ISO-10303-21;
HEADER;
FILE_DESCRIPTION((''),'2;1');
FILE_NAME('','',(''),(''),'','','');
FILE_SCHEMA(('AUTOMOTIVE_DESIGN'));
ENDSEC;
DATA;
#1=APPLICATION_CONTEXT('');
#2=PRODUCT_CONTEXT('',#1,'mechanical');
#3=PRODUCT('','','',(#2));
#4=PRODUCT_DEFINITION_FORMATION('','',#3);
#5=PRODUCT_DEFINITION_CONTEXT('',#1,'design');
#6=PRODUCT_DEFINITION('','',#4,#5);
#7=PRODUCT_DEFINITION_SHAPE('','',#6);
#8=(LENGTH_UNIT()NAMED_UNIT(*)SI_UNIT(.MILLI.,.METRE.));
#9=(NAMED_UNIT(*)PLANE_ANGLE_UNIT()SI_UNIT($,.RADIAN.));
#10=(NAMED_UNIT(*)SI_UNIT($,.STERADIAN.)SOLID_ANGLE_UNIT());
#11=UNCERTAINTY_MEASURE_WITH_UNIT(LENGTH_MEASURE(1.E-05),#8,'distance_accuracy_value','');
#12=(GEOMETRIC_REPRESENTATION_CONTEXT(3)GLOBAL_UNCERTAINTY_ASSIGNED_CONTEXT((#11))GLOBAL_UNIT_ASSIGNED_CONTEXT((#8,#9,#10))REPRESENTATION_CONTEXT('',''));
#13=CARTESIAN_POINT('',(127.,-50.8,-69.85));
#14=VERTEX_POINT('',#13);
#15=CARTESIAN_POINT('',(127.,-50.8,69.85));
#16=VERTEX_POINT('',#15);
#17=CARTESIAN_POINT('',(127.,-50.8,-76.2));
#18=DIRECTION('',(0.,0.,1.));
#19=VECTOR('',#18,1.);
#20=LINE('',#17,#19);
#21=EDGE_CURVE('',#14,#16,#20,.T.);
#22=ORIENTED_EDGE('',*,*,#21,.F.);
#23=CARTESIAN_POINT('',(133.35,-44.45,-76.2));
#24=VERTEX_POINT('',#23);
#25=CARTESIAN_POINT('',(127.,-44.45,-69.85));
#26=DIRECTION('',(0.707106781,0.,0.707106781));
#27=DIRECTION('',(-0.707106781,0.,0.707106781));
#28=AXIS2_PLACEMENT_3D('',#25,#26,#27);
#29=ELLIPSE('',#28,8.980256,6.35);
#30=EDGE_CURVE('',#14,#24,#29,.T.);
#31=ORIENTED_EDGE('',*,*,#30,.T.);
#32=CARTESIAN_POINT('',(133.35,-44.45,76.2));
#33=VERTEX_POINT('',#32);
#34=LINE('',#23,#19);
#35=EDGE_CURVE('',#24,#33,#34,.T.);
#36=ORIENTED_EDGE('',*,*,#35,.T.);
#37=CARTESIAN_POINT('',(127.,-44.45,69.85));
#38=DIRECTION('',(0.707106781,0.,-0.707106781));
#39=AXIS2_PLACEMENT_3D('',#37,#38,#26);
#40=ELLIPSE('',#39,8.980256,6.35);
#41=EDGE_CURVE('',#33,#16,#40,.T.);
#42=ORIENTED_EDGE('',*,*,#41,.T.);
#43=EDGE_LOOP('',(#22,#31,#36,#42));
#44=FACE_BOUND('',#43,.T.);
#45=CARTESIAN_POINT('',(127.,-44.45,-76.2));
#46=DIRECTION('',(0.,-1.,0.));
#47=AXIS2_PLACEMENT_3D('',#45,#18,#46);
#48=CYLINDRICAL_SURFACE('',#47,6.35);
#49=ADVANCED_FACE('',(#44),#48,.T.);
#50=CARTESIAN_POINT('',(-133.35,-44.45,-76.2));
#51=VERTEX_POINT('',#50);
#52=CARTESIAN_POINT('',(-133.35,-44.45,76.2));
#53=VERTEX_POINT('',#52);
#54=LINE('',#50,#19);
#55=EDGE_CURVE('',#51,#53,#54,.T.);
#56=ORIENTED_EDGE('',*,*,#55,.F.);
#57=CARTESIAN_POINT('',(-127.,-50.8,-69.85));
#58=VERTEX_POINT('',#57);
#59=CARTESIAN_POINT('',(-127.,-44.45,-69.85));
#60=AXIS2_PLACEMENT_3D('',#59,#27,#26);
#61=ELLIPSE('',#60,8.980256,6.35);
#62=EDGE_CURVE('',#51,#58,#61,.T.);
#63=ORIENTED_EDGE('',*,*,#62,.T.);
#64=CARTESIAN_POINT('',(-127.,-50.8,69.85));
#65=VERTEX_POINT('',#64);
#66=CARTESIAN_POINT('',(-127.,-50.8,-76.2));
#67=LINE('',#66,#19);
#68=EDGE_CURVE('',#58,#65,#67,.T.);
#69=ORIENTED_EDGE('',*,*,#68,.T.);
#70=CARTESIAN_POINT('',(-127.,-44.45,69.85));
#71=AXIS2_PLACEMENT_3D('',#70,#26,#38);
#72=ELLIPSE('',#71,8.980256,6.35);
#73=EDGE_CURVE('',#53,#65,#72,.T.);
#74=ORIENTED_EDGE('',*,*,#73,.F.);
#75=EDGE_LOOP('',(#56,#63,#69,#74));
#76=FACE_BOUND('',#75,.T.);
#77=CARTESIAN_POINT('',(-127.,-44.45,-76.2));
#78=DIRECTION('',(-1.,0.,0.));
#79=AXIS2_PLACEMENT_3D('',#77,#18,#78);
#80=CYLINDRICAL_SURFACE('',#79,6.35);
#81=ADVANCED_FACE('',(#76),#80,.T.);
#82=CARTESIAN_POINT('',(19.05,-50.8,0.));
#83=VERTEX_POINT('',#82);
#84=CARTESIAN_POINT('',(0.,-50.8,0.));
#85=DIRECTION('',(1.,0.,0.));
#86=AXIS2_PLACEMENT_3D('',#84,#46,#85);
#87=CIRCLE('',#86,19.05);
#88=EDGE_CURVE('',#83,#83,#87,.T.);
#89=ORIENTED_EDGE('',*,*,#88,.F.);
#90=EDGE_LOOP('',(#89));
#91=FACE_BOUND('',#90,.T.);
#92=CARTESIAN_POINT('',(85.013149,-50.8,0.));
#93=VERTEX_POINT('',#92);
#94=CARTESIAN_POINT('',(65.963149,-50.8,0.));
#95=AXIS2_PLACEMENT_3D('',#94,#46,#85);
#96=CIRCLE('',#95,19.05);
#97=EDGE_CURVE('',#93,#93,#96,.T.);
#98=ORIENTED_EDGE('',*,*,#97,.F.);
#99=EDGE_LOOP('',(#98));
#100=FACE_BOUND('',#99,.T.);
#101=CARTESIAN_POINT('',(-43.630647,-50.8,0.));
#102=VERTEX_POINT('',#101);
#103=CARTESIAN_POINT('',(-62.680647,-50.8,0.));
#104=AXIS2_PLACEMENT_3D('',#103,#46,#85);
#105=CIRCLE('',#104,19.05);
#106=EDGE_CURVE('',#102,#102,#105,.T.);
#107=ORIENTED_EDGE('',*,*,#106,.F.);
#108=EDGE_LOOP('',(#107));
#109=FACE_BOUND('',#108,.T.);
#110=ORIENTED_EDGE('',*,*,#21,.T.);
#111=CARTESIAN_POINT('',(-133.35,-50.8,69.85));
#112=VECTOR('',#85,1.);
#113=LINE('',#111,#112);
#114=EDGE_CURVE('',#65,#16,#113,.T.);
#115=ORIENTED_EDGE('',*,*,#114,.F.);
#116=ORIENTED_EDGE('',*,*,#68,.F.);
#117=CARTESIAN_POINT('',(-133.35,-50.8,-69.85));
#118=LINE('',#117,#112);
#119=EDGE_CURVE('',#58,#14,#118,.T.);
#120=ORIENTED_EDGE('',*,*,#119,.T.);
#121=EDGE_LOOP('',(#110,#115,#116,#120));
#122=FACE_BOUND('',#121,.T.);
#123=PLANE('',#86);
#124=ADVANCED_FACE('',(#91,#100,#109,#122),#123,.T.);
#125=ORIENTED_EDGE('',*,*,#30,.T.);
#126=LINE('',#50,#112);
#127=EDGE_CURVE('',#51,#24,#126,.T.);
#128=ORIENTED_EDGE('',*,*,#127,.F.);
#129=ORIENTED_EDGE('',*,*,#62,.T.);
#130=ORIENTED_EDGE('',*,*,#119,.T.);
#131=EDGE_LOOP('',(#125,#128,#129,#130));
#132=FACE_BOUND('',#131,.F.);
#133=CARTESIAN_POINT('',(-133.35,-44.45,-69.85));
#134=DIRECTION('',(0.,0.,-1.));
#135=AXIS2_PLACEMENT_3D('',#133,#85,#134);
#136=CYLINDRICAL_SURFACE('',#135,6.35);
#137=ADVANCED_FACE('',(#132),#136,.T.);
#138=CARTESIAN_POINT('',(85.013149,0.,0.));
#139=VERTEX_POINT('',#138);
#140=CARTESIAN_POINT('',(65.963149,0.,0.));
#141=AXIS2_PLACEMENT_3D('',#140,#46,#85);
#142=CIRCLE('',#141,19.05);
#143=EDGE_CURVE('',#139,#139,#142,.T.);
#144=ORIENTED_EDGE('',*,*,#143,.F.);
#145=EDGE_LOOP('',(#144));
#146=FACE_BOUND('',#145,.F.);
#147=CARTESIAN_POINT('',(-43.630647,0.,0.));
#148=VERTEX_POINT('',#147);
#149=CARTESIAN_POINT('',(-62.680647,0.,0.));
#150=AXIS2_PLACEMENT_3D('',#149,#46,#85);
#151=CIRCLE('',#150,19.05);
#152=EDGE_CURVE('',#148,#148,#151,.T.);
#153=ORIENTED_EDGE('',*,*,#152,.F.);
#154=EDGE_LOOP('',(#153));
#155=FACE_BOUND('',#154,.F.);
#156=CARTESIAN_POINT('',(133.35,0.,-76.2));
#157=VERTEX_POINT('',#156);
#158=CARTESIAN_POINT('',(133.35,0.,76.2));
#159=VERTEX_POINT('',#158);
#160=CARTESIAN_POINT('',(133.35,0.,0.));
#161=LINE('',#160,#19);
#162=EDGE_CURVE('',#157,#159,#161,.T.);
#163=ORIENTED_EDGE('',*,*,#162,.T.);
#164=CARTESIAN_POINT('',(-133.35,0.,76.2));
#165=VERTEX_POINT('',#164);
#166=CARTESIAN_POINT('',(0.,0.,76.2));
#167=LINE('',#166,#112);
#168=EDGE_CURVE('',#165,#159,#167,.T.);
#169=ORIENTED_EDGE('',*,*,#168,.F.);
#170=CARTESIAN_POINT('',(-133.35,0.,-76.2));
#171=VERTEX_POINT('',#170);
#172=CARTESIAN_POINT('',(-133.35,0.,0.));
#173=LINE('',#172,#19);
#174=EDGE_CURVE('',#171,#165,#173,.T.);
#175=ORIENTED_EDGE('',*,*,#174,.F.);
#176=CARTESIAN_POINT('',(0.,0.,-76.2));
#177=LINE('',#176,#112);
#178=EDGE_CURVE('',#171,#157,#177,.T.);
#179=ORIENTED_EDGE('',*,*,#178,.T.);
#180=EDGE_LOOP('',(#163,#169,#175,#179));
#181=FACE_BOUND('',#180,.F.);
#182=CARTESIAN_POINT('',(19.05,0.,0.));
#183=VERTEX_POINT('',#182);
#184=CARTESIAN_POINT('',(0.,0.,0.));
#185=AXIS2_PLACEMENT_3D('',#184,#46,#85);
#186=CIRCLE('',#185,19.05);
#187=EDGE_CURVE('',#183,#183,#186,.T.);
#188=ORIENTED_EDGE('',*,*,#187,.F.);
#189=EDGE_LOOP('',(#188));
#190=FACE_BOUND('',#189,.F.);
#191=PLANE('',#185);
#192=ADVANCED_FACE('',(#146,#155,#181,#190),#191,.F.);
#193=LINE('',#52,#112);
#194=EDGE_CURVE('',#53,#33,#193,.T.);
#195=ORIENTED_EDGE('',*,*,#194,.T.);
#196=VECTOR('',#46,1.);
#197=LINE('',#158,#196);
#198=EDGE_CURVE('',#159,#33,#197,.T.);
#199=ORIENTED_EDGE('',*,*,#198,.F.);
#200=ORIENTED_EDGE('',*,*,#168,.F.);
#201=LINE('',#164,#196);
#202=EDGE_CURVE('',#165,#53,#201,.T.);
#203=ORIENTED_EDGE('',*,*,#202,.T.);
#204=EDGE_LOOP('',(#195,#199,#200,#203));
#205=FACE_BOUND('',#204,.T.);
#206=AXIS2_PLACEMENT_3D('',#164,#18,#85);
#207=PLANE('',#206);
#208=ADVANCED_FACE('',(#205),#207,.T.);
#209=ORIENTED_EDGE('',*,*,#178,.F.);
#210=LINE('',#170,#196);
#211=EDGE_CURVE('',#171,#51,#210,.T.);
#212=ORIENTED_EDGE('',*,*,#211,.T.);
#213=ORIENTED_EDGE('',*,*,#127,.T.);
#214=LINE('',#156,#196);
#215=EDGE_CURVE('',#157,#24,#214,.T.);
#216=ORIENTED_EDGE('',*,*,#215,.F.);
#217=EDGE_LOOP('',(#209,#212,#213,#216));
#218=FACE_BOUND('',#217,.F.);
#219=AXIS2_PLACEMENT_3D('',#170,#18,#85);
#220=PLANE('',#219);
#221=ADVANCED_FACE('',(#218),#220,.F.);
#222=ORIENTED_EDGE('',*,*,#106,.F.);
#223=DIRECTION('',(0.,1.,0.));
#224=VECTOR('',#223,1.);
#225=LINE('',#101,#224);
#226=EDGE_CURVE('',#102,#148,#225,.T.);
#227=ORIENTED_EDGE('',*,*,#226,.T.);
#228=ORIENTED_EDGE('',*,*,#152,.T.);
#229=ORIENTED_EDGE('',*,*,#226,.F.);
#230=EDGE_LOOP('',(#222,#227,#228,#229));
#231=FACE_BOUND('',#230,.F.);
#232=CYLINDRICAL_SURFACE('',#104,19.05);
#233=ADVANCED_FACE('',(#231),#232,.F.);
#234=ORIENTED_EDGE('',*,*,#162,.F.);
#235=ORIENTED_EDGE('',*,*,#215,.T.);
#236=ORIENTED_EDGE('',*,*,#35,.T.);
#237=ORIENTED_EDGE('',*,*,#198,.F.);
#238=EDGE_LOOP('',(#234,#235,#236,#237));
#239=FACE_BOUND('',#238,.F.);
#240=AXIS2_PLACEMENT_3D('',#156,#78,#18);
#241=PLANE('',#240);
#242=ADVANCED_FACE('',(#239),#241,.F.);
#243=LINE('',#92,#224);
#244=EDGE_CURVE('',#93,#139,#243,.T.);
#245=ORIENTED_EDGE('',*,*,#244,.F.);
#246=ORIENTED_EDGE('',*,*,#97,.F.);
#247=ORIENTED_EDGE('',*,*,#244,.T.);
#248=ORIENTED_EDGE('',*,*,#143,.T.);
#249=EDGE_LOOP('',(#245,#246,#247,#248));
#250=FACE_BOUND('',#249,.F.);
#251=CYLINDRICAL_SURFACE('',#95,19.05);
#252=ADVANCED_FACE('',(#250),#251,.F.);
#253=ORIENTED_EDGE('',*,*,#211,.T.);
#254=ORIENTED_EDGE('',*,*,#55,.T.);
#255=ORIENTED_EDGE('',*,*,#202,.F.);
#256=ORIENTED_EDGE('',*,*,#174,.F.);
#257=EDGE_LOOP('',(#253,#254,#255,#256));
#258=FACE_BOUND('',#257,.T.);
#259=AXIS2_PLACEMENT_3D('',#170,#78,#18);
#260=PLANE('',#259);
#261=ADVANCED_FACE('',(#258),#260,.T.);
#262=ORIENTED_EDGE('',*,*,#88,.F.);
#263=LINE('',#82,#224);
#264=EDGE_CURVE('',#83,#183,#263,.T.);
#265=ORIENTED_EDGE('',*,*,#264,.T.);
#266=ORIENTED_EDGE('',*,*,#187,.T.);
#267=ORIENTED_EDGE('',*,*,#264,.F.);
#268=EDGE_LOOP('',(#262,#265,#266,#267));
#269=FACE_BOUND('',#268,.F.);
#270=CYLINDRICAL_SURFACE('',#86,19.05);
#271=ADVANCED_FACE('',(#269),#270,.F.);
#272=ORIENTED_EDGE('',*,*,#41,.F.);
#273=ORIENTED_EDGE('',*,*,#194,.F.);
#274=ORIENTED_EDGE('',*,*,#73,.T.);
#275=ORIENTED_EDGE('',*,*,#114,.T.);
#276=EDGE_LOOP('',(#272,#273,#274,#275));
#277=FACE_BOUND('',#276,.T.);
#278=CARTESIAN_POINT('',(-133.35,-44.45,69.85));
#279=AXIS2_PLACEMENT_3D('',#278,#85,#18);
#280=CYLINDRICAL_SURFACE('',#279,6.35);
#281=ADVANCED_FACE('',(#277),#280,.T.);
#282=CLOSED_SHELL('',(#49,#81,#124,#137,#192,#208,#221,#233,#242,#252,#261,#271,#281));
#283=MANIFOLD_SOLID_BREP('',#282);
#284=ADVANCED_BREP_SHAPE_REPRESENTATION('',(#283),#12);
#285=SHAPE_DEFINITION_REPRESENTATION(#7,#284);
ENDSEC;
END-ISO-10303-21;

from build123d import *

# Parameters (mm, degrees)
F0_W     = 266.7
F0_H     = 152.4
F1_DEPTH = 50.8
F2_R     = 19.05
F3_DEPTH = 50.8
F5_R     = 19.05
F6_DEPTH = 50.8
F7_R     = 6.35


with BuildPart() as f1:
    # F0 (on Front) → F1 (new body)
    with BuildSketch(Plane.XZ):
        Rectangle(F0_W, F0_H)
    extrude(amount=F1_DEPTH)

    # F2 (on face) → F3 (cut)
    with BuildSketch(Plane.XZ.offset(50.8)):
        Circle(F2_R)
    extrude(amount=-F3_DEPTH, mode=Mode.SUBTRACT)

    # F5 (on face) → F6 (cut)
    with BuildSketch(Plane.XZ.offset(50.8)):
        with Locations((65.963149, 0)):
            Circle(F5_R)
        with Locations((-62.680647, 0)):
            Circle(F5_R)
    extrude(amount=-F6_DEPTH, mode=Mode.SUBTRACT)

    # F7
    f7_edges = [f1.edges().sort_by_distance(p)[0] for p in [
        (0, -50.8, 76.2),
        (-133.35, -50.8, 0),
        (133.35, -50.8, 0),
        (0, -50.8, -76.2),
    ]]
    fillet(f7_edges, radius=F7_R)


solid = f1.part
